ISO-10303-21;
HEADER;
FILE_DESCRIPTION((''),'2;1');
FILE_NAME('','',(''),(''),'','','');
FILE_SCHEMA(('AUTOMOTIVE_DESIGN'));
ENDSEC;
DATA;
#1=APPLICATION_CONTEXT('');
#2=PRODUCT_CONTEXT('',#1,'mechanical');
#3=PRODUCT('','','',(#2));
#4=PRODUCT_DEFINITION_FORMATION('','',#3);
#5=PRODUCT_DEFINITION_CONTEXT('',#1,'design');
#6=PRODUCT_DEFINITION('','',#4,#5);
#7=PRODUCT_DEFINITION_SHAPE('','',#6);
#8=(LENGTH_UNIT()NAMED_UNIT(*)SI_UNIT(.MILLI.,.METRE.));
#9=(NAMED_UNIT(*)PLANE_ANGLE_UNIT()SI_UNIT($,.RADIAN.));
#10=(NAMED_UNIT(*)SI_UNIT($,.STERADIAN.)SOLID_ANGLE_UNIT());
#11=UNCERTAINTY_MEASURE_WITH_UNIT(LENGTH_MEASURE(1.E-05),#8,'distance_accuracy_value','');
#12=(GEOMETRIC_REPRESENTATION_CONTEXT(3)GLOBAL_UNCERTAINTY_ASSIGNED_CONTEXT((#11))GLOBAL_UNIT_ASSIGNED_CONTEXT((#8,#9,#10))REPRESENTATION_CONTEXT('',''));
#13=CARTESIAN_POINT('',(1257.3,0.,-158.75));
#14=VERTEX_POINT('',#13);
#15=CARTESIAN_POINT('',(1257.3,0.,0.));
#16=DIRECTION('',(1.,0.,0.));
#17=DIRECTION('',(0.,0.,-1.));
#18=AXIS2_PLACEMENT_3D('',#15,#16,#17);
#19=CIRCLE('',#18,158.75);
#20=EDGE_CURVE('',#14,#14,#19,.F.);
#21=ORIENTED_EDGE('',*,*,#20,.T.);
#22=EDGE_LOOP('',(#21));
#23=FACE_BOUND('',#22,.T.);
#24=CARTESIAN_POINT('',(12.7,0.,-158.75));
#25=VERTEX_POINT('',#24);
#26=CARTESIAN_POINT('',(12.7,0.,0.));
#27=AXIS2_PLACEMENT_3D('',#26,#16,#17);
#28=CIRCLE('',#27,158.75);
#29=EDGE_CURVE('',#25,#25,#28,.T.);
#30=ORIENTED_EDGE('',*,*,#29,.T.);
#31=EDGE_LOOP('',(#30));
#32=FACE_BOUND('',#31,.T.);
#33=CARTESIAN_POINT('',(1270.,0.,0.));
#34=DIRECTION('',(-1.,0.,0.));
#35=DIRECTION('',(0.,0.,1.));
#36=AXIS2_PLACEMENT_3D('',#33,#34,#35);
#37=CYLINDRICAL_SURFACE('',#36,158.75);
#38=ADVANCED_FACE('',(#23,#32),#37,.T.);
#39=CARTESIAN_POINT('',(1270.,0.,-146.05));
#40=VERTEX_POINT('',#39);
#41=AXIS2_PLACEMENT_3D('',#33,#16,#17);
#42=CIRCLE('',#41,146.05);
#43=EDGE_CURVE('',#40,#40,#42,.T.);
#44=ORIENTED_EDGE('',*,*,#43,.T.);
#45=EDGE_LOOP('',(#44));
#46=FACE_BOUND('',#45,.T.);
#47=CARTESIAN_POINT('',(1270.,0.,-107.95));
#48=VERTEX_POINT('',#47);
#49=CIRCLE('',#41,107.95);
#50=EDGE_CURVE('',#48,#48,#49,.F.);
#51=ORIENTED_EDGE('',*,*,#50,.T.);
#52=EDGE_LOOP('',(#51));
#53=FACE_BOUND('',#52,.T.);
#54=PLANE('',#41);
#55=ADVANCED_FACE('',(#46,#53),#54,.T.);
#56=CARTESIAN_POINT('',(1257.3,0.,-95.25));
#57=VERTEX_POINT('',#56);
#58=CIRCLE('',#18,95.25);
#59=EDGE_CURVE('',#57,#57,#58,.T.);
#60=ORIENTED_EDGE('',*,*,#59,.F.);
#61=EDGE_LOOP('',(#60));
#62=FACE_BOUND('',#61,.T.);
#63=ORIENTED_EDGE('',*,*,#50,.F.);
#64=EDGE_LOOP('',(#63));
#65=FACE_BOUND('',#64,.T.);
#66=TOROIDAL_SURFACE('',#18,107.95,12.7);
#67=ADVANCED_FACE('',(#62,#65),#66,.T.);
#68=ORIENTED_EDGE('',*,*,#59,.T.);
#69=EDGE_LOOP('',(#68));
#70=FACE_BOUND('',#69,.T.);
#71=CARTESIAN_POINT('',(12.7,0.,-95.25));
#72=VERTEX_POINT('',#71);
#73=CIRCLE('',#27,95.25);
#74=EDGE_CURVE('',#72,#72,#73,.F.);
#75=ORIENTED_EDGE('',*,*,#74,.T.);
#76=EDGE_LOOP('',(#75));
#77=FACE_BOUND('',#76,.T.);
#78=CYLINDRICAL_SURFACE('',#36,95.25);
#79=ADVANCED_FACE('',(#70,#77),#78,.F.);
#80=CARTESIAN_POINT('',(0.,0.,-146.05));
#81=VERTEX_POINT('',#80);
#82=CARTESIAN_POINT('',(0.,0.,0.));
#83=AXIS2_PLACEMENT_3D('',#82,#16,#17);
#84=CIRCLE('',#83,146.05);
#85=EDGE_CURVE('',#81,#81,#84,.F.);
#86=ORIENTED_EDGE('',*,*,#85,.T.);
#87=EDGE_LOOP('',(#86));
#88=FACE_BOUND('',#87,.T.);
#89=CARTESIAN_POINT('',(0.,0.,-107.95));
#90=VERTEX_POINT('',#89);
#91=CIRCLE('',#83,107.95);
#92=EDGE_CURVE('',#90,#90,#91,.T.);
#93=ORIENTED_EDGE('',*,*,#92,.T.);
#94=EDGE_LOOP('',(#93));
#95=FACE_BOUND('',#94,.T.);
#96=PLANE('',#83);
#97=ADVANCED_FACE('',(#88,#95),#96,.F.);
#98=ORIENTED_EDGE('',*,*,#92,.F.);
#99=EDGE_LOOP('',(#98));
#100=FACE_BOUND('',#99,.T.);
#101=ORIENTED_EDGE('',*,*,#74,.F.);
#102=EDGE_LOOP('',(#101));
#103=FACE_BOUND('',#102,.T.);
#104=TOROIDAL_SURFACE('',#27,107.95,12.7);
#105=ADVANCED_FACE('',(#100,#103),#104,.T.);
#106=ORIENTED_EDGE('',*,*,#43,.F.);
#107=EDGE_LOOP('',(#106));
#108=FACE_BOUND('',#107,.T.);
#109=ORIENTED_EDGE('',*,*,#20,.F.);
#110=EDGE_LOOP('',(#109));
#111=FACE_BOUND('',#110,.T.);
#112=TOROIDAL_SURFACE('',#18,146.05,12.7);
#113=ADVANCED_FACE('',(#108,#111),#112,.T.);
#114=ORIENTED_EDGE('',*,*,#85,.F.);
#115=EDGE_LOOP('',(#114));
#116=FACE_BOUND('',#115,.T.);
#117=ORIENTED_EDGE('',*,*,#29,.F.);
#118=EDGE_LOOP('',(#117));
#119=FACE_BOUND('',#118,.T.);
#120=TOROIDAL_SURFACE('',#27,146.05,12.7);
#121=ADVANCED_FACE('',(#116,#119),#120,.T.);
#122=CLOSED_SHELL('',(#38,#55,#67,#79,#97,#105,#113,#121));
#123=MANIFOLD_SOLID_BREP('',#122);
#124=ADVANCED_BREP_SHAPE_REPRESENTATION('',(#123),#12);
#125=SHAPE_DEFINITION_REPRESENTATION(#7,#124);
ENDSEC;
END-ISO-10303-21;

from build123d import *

# Parameters (mm, degrees)
SKETCH1_R           = 158.75
SKETCH1_R_2         = 95.25
BOSS_EXTRUDE1_DEPTH = 1270
FILLET1_R           = 12.7
FILLET2_R           = 12.7


with BuildPart() as part:
    # Sketch1 → Boss-Extrude1 (new body)
    with BuildSketch(Plane(origin=(0, 0, 0), x_dir=(0, 0, -1), z_dir=(1, 0, 0))):
        Circle(SKETCH1_R)
        Circle(SKETCH1_R_2, mode=Mode.SUBTRACT)
    extrude(amount=BOSS_EXTRUDE1_DEPTH)

    # Fillet1
    fillet1_edges = [part.edges().sort_by_distance(p)[0] for p in [
        (1270, 0, 158.75),
        (1270, 0, 95.25),
    ]]
    fillet(fillet1_edges, radius=FILLET1_R)

    # Fillet2
    fillet2_edges = [part.edges().sort_by_distance(p)[0] for p in [
        (0, 0, 158.75),
        (0, 0, 95.25),
    ]]
    fillet(fillet2_edges, radius=FILLET2_R)


solid = part.part
